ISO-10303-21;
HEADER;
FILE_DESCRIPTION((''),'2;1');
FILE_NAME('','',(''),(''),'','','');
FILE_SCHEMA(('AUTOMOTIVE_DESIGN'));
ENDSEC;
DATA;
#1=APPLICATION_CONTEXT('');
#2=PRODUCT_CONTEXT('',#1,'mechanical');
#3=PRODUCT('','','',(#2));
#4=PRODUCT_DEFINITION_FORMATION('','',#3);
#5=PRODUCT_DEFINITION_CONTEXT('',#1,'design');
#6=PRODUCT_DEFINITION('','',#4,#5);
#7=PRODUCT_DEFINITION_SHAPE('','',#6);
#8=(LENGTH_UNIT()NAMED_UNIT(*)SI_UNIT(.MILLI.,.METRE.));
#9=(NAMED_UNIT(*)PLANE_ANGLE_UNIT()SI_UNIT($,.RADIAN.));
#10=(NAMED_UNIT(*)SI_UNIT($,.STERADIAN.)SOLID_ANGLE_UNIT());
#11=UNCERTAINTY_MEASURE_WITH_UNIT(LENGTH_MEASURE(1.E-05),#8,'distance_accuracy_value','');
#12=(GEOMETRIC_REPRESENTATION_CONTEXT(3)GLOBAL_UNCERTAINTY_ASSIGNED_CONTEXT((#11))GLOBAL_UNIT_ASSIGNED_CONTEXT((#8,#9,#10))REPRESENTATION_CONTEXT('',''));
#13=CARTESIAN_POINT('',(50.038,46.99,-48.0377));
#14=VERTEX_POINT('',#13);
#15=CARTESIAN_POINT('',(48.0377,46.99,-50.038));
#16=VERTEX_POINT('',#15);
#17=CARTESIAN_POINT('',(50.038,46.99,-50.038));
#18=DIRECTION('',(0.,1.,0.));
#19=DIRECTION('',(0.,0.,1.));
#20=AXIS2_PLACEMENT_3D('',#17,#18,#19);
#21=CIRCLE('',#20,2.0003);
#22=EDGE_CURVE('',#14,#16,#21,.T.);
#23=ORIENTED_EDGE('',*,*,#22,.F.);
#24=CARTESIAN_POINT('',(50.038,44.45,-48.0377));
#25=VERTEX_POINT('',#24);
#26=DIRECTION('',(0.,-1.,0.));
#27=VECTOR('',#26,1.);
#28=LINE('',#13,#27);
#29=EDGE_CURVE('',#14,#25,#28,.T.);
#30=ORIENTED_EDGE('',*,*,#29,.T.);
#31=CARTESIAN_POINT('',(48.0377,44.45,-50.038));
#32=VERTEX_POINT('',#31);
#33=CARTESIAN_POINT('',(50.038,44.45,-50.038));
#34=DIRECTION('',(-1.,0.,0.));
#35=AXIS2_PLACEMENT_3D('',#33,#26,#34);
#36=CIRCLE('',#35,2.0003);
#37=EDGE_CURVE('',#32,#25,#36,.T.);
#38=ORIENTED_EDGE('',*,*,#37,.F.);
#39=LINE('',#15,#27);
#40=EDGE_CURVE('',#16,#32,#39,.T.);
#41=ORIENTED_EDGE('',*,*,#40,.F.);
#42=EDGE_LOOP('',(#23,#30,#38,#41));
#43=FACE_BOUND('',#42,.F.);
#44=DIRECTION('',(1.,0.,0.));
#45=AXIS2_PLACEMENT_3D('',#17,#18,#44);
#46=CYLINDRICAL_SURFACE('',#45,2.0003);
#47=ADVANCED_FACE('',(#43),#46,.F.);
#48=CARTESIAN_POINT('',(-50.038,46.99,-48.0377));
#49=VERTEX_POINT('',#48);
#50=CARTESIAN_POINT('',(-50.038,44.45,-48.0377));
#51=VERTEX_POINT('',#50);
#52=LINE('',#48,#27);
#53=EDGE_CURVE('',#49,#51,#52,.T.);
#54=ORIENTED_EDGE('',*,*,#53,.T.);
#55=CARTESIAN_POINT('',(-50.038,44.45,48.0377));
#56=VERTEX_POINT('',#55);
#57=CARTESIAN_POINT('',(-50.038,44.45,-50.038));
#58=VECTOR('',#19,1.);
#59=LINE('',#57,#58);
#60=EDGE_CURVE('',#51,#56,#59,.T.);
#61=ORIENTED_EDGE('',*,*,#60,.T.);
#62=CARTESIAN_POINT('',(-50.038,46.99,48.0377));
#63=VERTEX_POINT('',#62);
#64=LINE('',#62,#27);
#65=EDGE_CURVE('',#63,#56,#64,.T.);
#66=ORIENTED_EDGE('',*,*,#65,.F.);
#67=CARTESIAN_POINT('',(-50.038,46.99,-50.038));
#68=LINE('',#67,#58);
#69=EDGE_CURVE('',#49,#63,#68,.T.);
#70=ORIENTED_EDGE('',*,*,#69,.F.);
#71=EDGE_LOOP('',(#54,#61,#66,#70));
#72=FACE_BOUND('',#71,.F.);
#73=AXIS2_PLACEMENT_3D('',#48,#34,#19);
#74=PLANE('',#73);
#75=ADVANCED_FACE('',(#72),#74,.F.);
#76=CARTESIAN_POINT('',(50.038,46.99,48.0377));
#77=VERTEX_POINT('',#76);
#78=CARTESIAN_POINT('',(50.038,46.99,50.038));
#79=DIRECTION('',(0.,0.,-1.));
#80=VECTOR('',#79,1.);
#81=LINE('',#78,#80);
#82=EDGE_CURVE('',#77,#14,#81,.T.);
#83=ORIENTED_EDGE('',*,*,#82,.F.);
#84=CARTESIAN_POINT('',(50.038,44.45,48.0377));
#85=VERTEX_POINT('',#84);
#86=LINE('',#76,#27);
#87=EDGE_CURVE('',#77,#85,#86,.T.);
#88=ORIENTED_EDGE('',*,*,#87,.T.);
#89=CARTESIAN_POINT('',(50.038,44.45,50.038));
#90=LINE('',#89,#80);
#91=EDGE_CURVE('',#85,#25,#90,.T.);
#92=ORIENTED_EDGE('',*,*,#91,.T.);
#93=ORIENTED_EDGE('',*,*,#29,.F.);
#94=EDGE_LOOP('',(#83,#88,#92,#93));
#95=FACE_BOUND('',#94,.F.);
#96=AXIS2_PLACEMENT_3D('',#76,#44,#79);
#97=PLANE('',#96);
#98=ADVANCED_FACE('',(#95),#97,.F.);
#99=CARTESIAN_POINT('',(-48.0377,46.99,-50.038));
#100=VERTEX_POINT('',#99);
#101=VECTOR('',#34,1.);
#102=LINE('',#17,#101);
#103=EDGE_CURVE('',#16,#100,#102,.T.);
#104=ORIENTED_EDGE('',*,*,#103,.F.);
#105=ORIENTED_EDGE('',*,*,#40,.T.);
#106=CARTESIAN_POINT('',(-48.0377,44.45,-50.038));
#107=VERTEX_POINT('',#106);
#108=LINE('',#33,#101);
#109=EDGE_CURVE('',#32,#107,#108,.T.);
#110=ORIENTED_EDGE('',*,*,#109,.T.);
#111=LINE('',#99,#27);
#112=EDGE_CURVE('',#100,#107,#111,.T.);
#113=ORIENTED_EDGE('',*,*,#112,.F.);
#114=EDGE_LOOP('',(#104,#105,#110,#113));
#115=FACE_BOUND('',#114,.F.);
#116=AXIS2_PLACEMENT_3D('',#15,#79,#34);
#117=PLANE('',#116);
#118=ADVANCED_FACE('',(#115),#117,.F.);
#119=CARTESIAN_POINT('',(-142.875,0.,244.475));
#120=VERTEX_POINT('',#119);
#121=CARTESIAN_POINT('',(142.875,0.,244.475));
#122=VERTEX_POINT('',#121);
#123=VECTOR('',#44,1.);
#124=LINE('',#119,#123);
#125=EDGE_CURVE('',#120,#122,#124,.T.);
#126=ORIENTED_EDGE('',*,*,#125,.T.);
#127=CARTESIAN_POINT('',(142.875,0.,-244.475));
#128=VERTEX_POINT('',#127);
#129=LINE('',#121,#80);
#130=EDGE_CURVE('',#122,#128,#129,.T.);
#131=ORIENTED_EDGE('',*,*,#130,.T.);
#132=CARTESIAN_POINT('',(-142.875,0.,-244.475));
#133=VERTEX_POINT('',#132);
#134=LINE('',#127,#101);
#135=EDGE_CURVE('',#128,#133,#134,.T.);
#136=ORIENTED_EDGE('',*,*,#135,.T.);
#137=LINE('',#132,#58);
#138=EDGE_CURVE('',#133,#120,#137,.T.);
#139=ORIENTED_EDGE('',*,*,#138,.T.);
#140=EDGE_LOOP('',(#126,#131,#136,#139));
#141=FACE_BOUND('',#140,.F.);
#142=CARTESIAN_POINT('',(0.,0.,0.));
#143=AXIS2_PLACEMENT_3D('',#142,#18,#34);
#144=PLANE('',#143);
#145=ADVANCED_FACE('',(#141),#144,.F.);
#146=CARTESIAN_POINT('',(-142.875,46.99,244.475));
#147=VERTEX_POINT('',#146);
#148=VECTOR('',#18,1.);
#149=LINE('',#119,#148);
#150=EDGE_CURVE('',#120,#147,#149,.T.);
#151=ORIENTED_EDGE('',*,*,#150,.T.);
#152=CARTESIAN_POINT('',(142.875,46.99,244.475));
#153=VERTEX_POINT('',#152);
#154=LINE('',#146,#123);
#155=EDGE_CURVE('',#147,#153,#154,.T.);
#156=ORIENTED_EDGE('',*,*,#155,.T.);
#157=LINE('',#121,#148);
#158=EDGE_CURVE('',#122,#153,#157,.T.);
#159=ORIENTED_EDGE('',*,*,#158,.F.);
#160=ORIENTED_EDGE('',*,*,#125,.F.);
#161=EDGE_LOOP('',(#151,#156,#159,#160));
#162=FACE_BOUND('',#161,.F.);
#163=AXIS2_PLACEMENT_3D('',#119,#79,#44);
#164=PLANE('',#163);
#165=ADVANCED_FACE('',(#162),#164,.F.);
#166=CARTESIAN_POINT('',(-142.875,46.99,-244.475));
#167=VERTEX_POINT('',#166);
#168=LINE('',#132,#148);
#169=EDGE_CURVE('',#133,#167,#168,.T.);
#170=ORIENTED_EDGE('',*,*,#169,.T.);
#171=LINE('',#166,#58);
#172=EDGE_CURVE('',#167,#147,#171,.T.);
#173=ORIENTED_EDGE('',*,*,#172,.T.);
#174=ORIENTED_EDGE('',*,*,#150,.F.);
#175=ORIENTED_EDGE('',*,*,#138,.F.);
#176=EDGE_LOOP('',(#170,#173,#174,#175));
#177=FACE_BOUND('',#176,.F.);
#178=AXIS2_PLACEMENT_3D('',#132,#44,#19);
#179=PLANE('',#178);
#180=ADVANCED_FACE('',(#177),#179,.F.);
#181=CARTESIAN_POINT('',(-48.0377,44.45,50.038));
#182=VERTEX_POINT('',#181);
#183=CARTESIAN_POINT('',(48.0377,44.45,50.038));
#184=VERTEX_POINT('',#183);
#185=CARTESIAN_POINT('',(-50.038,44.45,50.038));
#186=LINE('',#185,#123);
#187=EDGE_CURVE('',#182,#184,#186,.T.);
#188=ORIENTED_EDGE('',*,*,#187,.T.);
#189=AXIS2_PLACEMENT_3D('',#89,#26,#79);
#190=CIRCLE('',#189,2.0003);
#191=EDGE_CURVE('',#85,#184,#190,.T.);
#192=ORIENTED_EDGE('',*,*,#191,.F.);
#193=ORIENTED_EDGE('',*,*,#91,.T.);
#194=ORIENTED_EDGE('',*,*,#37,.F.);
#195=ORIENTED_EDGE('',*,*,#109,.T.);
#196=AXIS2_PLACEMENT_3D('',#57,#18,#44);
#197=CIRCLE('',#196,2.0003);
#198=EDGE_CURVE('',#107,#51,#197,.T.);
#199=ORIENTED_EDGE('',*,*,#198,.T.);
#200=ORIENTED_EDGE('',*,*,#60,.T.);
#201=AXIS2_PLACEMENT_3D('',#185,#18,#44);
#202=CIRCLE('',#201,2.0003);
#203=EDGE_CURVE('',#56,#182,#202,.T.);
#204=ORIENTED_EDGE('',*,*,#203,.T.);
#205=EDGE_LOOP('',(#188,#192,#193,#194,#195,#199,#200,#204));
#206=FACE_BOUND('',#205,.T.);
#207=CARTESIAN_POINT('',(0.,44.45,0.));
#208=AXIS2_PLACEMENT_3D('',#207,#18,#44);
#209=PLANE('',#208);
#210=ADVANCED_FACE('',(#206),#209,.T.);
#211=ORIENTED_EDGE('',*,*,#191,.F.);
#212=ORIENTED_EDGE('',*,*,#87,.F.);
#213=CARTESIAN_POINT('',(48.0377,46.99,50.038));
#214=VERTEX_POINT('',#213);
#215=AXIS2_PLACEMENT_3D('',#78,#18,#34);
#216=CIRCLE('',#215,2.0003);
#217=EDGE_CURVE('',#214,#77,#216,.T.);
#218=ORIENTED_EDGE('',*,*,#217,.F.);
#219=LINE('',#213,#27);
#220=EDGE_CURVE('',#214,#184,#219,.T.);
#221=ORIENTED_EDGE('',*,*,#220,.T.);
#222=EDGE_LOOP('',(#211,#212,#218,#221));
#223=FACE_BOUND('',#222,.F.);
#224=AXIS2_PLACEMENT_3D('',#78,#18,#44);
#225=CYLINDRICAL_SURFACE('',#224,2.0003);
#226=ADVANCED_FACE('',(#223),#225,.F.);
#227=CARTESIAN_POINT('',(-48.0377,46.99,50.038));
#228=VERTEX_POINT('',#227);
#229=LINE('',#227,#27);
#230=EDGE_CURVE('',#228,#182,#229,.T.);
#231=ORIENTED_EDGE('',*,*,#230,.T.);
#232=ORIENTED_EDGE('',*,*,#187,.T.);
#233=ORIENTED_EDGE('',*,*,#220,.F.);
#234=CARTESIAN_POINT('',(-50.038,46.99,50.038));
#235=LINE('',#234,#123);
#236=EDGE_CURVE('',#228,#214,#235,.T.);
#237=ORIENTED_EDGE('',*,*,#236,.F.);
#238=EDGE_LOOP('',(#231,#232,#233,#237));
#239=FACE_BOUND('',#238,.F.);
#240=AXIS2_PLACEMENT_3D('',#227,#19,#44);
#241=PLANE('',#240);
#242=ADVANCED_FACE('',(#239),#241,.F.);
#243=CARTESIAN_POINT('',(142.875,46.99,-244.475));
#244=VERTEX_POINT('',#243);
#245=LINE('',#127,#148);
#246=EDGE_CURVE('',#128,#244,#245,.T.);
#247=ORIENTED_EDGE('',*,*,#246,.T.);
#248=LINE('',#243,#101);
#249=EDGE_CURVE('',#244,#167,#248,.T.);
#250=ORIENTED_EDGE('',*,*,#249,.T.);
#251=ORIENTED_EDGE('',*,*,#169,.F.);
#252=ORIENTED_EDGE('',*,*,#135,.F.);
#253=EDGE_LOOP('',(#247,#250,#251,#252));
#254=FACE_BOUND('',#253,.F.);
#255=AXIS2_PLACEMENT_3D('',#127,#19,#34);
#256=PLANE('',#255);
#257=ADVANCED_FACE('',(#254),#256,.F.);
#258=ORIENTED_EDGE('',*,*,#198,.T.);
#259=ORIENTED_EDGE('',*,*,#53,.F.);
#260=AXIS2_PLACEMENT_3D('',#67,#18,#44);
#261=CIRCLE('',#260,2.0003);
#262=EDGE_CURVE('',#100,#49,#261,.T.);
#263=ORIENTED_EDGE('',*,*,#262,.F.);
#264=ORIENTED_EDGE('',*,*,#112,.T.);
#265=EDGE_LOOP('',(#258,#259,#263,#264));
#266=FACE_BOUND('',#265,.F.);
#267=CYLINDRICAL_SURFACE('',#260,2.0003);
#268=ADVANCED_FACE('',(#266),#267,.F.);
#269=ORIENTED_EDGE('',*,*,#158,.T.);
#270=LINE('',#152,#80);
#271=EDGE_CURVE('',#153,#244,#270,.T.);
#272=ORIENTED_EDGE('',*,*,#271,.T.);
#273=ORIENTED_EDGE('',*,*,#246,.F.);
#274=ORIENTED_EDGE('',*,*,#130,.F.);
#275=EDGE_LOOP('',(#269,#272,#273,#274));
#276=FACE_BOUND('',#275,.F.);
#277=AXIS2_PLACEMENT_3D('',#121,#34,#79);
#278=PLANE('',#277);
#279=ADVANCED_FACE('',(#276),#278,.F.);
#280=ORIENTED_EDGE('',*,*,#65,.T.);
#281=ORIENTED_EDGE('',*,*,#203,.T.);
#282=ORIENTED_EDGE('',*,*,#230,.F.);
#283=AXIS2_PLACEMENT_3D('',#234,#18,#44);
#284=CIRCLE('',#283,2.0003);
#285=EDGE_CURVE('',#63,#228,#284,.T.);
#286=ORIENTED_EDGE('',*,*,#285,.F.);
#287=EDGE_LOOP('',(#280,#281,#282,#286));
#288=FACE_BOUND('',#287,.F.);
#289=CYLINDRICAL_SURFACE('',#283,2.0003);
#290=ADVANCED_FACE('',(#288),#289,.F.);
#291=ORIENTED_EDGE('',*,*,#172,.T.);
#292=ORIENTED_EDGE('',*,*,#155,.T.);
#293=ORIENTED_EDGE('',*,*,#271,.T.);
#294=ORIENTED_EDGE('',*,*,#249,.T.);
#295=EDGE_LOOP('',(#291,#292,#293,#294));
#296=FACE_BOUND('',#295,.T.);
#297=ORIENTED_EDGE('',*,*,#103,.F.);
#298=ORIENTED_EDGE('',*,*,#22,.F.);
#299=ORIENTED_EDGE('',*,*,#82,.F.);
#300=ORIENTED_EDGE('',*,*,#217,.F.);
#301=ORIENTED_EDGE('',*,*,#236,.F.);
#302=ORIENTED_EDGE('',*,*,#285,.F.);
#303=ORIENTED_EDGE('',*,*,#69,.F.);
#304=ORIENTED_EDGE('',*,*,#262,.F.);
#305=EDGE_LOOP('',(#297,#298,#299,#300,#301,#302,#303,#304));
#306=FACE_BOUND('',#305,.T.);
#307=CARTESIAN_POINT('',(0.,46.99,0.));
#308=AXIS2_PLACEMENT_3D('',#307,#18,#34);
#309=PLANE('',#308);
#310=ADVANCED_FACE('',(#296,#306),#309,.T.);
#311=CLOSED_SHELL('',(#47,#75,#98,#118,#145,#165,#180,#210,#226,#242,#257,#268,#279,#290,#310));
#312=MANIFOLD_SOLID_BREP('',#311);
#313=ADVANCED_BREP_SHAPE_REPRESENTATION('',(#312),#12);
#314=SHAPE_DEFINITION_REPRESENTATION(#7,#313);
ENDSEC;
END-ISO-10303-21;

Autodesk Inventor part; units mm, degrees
ref_plane "YZ Plane" through (0, 0, 0) normal (1, 0, 0) x (0, 1, 0)
ref_plane "XZ Plane" through (0, 0, 0) normal (0, 1, 0) x (-1, 0, 0)
ref_plane "XY Plane" through (0, 0, 0) normal (0, 0, 1) x (1, 0, 0)
sketch "Sketch1" plane through (0, 0, 0) normal (0, 1, 0) x (-1, 0, 0)
  line L0 (142.875, 244.475) -> (-142.875, 244.475)
  line L1 (-142.875, 244.475) -> (-142.875, -244.475)
  line L2 (-142.875, -244.475) -> (142.875, -244.475)
  line L3 (142.875, -244.475) -> (142.875, 244.475)
  point P0 (0, 0)
  dimension "d0" = 488.95
  dimension "d1" = 285.75
  dimension "d2" = 244.475
  dimension "d3" = 142.875
extrude "Extrusion1" add sketch "Sketch1" along normal blind 46.99
sketch "Sketch2" plane through (0, 46.99, 0) normal (0, 1, 0) x (1, 0, 0)
  line L0 (-142.875, -244.475) -> (142.875, -244.475) projected
  line L1 (142.875, 244.475) -> (-142.875, 244.475) projected
  line L2 (-50.038, -50.038) -> (50.038, -50.038)
  line L3 (50.038, -50.038) -> (50.038, 50.038)
  line L4 (50.038, 50.038) -> (-50.038, 50.038)
  line L5 (-50.038, 50.038) -> (-50.038, -50.038)
  circle A0 centre (-50.038, 50.038) radius 2.0003
  circle A1 centre (50.038, 50.038) radius 2.0003
  circle A2 centre (50.038, -50.038) radius 2.0003
  circle A3 centre (-50.038, -50.038) radius 2.0003
  point P0 (-50.038, -48.0378)
  point P1 (-48.0377, -50.038)
  point P2 (48.0378, -50.038)
  point P3 (50.038, -48.0378)
  point P4 (50.038, 48.0378)
  point P5 (48.0378, 50.038)
  point P6 (-48.0377, 50.038)
  point P7 (-50.038, 48.0378)
  dimension "d20" = 100.076
  dimension "d21" = 100.076
  dimension "d22" = 92.837
  dimension "d23" = 92.837
  dimension "d24" = 194.437
  dimension "d25" = 194.437
  dimension "d26" = 4.0005
  dimension "d27" = 4.0005
  dimension "d28" = 4.0005
  dimension "d29" = 4.0005
extrude "Extrusion2" cut sketch "Sketch2" against normal blind 2.54
ref_plane "Work Plane1" through (0, 0, -244.475) normal (-1, 0, 0) x (0, 0, 1)
equation "\"d2\" = 0.5 * d0"
equation "\"d3\" = 0.5 * d1"
equation "\"d22\" = d23"
equation "\"d24\" = d25"
equation "\"d26\" = d29"
equation "\"d27\" = d29"
equation "\"d28\" = d29"
properties part number "Monitor"
